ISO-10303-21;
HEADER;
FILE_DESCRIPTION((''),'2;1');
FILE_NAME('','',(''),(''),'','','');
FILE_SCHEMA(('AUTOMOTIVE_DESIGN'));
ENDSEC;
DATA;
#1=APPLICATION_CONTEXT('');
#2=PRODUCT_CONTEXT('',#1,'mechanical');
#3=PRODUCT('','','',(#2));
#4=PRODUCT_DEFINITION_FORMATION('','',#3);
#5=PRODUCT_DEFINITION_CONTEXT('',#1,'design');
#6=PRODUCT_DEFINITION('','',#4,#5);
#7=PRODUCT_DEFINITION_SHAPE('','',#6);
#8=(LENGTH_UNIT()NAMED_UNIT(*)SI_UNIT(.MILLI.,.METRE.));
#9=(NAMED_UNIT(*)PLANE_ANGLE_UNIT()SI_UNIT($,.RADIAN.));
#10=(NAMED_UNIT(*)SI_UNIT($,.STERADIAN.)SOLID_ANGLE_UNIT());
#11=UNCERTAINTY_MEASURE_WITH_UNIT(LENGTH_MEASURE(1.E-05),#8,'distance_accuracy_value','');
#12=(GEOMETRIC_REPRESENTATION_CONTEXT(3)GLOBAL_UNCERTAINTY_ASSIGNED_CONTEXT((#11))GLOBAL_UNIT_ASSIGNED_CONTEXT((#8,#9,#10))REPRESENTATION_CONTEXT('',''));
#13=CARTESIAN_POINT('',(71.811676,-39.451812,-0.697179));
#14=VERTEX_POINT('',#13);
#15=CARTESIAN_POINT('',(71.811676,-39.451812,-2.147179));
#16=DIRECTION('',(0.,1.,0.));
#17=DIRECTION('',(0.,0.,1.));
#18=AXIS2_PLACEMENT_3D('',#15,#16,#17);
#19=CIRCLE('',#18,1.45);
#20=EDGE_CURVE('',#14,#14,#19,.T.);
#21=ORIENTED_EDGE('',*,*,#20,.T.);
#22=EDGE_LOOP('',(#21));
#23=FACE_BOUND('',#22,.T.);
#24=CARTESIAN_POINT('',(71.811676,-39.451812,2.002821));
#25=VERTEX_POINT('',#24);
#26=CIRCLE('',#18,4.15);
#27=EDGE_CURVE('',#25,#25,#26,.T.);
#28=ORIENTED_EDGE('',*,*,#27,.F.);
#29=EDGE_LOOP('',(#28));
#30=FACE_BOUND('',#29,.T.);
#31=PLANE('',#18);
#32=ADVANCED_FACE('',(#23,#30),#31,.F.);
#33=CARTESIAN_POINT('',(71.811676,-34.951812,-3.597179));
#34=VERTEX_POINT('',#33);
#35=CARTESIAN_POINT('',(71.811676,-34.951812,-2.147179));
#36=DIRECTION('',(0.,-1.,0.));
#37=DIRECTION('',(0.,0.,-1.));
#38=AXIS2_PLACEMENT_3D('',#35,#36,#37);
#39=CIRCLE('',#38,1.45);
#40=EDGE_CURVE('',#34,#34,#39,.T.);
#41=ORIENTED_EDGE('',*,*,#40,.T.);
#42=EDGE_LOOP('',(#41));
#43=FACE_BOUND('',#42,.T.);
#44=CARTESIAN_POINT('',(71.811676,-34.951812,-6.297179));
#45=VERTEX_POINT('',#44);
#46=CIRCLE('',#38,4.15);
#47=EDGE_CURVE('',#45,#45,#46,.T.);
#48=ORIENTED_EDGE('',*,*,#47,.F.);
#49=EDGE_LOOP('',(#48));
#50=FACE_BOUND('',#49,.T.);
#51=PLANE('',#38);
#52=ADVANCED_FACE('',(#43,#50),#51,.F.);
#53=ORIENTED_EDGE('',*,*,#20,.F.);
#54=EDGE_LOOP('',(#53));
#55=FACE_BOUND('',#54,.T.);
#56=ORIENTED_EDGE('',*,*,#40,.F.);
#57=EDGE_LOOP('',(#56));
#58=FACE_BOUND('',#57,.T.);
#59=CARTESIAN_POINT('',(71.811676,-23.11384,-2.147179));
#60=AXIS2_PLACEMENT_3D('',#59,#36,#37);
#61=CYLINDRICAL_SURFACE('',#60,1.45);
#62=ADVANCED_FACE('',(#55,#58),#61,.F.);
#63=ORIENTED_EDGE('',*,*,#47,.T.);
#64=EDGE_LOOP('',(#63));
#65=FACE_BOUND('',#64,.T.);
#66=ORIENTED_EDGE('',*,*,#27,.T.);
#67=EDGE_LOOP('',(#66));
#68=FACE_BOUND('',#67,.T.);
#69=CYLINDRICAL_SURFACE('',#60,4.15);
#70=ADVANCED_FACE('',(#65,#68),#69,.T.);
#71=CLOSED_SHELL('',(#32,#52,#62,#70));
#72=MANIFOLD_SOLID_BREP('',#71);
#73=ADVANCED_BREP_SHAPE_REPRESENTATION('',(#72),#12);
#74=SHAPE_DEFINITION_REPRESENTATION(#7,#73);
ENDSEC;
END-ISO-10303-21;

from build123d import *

# Parameters (mm, degrees)
SKETCH1_R           = 4.15
SKETCH1_R_2         = 1.45
BOSS_EXTRUDE1_DEPTH = 4.5


with BuildPart() as part:
    # Sketch1 → Boss-Extrude1 (new body)
    with BuildSketch(Plane(origin=(0, -39.451812113, 0), x_dir=(1, 0, 0), z_dir=(0, 1, 0))):
        with Locations((71.811675622, 2.147178548)):
            Circle(SKETCH1_R)
        with Locations((71.811675622, 2.147178548)):
            Circle(SKETCH1_R_2, mode=Mode.SUBTRACT)
    extrude(amount=BOSS_EXTRUDE1_DEPTH)


solid = part.part
